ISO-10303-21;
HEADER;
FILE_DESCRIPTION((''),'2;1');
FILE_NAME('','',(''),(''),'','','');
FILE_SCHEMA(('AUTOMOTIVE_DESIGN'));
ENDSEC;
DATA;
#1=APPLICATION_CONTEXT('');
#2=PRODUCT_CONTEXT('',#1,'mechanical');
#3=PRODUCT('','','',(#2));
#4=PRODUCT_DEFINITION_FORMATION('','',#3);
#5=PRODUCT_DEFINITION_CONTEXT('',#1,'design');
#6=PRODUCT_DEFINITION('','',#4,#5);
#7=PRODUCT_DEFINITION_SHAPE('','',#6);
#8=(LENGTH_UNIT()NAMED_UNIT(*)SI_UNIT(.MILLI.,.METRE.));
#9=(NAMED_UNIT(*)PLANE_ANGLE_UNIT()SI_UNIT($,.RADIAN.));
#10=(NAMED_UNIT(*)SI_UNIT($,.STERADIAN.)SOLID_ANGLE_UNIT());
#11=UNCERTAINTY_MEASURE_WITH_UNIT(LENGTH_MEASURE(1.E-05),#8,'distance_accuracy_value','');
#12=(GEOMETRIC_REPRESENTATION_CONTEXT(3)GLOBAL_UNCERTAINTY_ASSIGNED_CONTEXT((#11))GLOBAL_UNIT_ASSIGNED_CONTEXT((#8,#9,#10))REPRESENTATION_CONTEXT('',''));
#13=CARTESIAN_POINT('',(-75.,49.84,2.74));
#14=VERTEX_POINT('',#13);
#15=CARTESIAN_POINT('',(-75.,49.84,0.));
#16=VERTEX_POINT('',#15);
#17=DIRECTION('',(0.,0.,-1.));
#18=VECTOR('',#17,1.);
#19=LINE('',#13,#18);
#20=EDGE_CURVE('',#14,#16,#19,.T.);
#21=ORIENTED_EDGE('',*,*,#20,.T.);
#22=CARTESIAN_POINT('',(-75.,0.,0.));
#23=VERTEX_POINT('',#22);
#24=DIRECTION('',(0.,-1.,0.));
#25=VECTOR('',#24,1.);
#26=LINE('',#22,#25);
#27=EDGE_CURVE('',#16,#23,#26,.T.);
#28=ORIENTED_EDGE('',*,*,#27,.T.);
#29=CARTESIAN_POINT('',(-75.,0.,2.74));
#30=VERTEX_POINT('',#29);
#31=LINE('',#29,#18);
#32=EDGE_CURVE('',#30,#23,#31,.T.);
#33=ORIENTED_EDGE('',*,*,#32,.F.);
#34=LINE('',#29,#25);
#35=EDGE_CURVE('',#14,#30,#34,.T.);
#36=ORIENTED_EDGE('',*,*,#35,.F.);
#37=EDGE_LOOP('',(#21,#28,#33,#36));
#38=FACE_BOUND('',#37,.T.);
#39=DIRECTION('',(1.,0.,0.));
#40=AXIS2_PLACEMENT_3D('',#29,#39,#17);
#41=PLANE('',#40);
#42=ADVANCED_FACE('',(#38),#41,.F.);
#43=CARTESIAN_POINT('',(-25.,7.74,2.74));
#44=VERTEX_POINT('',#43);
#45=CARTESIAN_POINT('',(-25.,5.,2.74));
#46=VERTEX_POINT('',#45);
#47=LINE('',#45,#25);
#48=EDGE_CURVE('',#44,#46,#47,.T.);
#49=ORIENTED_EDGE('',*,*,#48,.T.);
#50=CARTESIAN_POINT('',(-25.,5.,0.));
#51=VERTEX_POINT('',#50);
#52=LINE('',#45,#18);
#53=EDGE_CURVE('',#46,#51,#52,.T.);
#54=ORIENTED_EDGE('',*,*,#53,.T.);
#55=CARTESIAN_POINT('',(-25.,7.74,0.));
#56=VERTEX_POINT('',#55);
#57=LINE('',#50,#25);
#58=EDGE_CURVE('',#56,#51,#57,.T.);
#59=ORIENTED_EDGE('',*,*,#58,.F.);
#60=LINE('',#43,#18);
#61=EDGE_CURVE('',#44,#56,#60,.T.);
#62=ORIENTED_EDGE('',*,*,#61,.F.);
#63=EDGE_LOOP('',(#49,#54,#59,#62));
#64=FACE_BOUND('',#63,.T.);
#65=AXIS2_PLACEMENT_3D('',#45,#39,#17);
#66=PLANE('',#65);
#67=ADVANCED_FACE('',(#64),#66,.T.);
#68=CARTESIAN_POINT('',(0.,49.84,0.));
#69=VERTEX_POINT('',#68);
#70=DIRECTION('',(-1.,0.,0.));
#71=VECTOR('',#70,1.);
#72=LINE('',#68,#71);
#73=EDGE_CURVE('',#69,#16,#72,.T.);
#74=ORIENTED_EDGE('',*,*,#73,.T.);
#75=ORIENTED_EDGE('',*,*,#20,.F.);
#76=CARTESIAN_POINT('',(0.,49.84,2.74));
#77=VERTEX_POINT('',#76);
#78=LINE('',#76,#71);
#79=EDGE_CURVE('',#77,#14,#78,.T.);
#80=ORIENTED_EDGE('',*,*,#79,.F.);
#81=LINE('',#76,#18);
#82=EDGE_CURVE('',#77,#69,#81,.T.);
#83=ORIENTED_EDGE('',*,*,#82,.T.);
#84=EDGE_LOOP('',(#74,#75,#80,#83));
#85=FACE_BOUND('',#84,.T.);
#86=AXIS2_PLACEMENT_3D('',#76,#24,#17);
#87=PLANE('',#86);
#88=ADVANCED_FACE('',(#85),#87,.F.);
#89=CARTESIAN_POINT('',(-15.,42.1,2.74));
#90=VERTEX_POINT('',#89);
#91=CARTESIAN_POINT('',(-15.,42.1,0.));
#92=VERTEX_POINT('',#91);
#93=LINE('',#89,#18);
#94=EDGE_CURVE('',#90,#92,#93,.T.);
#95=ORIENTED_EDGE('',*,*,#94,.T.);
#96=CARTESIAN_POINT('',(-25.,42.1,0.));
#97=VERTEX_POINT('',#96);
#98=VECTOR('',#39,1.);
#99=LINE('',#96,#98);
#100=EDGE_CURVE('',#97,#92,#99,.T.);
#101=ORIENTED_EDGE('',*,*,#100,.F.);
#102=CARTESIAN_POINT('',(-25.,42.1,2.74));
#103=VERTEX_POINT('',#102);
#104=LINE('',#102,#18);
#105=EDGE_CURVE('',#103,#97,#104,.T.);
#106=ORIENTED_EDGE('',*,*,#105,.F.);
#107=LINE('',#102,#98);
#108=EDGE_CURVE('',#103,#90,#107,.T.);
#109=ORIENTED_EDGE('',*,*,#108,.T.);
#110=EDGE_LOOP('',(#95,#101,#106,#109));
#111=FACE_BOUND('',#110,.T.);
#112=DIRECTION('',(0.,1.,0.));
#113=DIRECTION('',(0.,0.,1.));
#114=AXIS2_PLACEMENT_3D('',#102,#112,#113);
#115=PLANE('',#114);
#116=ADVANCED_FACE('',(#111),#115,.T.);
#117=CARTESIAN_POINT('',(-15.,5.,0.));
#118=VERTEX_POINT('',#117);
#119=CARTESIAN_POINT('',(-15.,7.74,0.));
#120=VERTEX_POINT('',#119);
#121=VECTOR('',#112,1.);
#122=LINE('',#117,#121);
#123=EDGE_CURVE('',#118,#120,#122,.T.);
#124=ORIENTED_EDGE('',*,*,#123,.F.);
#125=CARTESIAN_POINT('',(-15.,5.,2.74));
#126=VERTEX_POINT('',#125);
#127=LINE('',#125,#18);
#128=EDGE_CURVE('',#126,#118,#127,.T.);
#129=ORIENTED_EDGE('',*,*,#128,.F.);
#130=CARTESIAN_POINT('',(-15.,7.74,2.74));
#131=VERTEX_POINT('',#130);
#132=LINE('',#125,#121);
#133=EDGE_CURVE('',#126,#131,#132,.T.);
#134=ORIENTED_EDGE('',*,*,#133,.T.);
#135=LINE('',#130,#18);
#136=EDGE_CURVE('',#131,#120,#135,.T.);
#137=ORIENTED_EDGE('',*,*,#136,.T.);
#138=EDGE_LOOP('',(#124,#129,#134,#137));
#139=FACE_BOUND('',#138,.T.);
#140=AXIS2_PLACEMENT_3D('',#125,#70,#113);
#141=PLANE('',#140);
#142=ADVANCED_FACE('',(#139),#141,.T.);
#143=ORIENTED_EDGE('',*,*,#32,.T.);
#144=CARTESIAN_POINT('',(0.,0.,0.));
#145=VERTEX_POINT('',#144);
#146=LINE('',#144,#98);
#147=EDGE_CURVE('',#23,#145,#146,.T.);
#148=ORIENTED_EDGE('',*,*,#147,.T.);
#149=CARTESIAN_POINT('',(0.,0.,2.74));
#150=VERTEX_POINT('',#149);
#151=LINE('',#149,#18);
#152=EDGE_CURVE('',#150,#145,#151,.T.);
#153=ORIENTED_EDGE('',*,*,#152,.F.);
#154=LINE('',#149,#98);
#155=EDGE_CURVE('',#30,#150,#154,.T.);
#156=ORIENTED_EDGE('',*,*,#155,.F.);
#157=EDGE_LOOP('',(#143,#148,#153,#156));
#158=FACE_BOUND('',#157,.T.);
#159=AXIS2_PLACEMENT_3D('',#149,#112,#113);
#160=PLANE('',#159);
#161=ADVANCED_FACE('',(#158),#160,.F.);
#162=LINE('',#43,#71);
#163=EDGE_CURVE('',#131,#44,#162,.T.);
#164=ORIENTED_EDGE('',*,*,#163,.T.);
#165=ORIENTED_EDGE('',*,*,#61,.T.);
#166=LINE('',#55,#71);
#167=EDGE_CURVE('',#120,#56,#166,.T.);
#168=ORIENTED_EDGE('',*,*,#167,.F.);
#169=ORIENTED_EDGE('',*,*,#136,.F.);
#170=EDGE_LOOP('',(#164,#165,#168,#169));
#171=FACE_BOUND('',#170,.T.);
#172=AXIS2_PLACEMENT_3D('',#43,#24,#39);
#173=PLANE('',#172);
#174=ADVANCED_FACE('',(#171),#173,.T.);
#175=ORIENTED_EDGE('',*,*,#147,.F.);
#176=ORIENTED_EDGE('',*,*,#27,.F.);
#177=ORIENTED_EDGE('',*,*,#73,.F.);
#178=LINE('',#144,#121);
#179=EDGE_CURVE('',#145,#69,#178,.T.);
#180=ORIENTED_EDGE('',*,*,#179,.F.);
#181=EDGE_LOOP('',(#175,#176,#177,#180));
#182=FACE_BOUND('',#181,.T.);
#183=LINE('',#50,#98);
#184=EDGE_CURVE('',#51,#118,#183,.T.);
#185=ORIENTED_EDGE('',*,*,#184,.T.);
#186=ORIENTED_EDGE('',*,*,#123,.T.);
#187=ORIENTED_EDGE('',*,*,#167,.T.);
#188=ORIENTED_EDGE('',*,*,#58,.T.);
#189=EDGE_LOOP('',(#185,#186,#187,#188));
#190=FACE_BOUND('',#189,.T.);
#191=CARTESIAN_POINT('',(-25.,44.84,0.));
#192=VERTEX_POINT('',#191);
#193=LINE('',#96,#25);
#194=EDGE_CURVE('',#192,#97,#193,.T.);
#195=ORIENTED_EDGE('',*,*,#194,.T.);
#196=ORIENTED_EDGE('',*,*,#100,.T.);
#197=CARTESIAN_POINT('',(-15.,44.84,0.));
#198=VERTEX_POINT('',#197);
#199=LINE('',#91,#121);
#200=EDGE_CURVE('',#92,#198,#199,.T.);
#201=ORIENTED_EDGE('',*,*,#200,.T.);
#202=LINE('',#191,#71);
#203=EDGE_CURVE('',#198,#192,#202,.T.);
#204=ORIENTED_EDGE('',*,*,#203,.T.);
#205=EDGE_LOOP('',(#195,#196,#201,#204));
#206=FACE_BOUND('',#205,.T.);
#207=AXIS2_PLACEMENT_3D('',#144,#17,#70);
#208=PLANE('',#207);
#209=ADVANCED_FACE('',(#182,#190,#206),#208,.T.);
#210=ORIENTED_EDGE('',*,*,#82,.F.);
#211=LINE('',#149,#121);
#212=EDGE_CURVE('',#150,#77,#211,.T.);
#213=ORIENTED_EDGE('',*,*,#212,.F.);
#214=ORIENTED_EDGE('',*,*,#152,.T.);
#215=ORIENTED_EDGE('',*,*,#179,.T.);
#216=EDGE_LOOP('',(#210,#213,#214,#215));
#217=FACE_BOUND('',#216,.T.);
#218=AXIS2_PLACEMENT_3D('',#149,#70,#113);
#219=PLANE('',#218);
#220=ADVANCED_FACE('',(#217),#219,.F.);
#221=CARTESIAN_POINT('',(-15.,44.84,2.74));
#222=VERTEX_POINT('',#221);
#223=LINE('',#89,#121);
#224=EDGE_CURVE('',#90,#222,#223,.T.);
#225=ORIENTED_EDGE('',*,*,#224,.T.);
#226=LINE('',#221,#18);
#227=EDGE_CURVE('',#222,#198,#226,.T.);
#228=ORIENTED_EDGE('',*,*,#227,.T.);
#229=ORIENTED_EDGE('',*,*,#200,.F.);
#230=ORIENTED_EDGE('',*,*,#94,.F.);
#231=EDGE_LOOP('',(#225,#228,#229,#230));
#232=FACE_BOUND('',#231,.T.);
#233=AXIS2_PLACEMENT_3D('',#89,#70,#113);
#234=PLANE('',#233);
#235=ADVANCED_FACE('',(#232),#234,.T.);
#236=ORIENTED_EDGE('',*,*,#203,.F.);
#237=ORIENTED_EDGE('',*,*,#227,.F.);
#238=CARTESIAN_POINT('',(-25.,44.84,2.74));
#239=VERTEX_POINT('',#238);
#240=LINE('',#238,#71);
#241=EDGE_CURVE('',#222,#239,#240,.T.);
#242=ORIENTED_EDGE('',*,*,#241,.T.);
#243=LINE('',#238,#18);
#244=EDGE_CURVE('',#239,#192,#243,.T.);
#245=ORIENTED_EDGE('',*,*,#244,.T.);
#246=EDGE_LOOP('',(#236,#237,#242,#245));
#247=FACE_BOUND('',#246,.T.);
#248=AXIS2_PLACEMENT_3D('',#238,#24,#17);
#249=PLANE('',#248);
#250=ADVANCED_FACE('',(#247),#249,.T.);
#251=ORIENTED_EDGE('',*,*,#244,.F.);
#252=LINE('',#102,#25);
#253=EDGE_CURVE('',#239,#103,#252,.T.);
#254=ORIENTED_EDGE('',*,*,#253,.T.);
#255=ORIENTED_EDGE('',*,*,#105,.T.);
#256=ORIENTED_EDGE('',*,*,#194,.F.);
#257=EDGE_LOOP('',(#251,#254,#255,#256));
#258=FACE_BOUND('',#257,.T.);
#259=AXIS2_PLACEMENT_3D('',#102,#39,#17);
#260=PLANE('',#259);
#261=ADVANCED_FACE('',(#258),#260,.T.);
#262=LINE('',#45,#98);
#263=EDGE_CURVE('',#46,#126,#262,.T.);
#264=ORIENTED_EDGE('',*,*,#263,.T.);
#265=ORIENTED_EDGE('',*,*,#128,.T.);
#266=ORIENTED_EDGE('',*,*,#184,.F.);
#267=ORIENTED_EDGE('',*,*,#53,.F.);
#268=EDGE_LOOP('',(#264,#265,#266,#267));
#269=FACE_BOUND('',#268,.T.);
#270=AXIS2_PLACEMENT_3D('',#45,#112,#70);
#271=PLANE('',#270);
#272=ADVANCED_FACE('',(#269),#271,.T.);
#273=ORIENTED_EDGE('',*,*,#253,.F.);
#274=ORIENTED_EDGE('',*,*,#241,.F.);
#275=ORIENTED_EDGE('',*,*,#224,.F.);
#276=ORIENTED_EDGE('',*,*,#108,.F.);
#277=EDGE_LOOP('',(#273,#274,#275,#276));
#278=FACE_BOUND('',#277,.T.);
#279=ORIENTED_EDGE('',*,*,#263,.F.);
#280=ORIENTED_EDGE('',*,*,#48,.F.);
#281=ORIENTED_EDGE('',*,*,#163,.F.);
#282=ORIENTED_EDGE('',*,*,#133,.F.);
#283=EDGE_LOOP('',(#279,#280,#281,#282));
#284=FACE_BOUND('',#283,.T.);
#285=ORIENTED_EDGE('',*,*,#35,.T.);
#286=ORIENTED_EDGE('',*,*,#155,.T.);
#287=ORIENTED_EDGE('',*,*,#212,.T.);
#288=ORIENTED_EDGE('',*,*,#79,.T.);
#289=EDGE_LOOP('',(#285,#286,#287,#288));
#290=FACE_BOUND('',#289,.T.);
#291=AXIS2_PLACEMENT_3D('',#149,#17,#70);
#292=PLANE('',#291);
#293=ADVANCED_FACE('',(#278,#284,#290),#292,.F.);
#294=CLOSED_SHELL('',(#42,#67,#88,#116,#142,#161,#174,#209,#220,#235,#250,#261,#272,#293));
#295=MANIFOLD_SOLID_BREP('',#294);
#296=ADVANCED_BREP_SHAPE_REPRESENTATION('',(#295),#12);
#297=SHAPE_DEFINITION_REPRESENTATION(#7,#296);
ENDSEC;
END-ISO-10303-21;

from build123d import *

# Parameters (mm, degrees)
SKETCH1_W           = 49.84
SKETCH1_H           = 75
SKETCH1_W_2         = 2.74
SKETCH1_H_2         = 10
BOSS_EXTRUDE1_DEPTH = 2.74


with BuildPart() as part:
    # Sketch1 → Boss-Extrude1 (new body)
    with BuildSketch(Plane(origin=(0, 0, 0), x_dir=(0, 1, 0), z_dir=(0, 0, 1))):
        with Locations((24.92, 37.5)):
            Rectangle(SKETCH1_W, SKETCH1_H)
        with Locations((43.47, 20)):
            Rectangle(SKETCH1_W_2, SKETCH1_H_2, mode=Mode.SUBTRACT)
        with Locations((6.37, 20)):
            Rectangle(SKETCH1_W_2, SKETCH1_H_2, mode=Mode.SUBTRACT)
    extrude(amount=BOSS_EXTRUDE1_DEPTH)


solid = part.part
